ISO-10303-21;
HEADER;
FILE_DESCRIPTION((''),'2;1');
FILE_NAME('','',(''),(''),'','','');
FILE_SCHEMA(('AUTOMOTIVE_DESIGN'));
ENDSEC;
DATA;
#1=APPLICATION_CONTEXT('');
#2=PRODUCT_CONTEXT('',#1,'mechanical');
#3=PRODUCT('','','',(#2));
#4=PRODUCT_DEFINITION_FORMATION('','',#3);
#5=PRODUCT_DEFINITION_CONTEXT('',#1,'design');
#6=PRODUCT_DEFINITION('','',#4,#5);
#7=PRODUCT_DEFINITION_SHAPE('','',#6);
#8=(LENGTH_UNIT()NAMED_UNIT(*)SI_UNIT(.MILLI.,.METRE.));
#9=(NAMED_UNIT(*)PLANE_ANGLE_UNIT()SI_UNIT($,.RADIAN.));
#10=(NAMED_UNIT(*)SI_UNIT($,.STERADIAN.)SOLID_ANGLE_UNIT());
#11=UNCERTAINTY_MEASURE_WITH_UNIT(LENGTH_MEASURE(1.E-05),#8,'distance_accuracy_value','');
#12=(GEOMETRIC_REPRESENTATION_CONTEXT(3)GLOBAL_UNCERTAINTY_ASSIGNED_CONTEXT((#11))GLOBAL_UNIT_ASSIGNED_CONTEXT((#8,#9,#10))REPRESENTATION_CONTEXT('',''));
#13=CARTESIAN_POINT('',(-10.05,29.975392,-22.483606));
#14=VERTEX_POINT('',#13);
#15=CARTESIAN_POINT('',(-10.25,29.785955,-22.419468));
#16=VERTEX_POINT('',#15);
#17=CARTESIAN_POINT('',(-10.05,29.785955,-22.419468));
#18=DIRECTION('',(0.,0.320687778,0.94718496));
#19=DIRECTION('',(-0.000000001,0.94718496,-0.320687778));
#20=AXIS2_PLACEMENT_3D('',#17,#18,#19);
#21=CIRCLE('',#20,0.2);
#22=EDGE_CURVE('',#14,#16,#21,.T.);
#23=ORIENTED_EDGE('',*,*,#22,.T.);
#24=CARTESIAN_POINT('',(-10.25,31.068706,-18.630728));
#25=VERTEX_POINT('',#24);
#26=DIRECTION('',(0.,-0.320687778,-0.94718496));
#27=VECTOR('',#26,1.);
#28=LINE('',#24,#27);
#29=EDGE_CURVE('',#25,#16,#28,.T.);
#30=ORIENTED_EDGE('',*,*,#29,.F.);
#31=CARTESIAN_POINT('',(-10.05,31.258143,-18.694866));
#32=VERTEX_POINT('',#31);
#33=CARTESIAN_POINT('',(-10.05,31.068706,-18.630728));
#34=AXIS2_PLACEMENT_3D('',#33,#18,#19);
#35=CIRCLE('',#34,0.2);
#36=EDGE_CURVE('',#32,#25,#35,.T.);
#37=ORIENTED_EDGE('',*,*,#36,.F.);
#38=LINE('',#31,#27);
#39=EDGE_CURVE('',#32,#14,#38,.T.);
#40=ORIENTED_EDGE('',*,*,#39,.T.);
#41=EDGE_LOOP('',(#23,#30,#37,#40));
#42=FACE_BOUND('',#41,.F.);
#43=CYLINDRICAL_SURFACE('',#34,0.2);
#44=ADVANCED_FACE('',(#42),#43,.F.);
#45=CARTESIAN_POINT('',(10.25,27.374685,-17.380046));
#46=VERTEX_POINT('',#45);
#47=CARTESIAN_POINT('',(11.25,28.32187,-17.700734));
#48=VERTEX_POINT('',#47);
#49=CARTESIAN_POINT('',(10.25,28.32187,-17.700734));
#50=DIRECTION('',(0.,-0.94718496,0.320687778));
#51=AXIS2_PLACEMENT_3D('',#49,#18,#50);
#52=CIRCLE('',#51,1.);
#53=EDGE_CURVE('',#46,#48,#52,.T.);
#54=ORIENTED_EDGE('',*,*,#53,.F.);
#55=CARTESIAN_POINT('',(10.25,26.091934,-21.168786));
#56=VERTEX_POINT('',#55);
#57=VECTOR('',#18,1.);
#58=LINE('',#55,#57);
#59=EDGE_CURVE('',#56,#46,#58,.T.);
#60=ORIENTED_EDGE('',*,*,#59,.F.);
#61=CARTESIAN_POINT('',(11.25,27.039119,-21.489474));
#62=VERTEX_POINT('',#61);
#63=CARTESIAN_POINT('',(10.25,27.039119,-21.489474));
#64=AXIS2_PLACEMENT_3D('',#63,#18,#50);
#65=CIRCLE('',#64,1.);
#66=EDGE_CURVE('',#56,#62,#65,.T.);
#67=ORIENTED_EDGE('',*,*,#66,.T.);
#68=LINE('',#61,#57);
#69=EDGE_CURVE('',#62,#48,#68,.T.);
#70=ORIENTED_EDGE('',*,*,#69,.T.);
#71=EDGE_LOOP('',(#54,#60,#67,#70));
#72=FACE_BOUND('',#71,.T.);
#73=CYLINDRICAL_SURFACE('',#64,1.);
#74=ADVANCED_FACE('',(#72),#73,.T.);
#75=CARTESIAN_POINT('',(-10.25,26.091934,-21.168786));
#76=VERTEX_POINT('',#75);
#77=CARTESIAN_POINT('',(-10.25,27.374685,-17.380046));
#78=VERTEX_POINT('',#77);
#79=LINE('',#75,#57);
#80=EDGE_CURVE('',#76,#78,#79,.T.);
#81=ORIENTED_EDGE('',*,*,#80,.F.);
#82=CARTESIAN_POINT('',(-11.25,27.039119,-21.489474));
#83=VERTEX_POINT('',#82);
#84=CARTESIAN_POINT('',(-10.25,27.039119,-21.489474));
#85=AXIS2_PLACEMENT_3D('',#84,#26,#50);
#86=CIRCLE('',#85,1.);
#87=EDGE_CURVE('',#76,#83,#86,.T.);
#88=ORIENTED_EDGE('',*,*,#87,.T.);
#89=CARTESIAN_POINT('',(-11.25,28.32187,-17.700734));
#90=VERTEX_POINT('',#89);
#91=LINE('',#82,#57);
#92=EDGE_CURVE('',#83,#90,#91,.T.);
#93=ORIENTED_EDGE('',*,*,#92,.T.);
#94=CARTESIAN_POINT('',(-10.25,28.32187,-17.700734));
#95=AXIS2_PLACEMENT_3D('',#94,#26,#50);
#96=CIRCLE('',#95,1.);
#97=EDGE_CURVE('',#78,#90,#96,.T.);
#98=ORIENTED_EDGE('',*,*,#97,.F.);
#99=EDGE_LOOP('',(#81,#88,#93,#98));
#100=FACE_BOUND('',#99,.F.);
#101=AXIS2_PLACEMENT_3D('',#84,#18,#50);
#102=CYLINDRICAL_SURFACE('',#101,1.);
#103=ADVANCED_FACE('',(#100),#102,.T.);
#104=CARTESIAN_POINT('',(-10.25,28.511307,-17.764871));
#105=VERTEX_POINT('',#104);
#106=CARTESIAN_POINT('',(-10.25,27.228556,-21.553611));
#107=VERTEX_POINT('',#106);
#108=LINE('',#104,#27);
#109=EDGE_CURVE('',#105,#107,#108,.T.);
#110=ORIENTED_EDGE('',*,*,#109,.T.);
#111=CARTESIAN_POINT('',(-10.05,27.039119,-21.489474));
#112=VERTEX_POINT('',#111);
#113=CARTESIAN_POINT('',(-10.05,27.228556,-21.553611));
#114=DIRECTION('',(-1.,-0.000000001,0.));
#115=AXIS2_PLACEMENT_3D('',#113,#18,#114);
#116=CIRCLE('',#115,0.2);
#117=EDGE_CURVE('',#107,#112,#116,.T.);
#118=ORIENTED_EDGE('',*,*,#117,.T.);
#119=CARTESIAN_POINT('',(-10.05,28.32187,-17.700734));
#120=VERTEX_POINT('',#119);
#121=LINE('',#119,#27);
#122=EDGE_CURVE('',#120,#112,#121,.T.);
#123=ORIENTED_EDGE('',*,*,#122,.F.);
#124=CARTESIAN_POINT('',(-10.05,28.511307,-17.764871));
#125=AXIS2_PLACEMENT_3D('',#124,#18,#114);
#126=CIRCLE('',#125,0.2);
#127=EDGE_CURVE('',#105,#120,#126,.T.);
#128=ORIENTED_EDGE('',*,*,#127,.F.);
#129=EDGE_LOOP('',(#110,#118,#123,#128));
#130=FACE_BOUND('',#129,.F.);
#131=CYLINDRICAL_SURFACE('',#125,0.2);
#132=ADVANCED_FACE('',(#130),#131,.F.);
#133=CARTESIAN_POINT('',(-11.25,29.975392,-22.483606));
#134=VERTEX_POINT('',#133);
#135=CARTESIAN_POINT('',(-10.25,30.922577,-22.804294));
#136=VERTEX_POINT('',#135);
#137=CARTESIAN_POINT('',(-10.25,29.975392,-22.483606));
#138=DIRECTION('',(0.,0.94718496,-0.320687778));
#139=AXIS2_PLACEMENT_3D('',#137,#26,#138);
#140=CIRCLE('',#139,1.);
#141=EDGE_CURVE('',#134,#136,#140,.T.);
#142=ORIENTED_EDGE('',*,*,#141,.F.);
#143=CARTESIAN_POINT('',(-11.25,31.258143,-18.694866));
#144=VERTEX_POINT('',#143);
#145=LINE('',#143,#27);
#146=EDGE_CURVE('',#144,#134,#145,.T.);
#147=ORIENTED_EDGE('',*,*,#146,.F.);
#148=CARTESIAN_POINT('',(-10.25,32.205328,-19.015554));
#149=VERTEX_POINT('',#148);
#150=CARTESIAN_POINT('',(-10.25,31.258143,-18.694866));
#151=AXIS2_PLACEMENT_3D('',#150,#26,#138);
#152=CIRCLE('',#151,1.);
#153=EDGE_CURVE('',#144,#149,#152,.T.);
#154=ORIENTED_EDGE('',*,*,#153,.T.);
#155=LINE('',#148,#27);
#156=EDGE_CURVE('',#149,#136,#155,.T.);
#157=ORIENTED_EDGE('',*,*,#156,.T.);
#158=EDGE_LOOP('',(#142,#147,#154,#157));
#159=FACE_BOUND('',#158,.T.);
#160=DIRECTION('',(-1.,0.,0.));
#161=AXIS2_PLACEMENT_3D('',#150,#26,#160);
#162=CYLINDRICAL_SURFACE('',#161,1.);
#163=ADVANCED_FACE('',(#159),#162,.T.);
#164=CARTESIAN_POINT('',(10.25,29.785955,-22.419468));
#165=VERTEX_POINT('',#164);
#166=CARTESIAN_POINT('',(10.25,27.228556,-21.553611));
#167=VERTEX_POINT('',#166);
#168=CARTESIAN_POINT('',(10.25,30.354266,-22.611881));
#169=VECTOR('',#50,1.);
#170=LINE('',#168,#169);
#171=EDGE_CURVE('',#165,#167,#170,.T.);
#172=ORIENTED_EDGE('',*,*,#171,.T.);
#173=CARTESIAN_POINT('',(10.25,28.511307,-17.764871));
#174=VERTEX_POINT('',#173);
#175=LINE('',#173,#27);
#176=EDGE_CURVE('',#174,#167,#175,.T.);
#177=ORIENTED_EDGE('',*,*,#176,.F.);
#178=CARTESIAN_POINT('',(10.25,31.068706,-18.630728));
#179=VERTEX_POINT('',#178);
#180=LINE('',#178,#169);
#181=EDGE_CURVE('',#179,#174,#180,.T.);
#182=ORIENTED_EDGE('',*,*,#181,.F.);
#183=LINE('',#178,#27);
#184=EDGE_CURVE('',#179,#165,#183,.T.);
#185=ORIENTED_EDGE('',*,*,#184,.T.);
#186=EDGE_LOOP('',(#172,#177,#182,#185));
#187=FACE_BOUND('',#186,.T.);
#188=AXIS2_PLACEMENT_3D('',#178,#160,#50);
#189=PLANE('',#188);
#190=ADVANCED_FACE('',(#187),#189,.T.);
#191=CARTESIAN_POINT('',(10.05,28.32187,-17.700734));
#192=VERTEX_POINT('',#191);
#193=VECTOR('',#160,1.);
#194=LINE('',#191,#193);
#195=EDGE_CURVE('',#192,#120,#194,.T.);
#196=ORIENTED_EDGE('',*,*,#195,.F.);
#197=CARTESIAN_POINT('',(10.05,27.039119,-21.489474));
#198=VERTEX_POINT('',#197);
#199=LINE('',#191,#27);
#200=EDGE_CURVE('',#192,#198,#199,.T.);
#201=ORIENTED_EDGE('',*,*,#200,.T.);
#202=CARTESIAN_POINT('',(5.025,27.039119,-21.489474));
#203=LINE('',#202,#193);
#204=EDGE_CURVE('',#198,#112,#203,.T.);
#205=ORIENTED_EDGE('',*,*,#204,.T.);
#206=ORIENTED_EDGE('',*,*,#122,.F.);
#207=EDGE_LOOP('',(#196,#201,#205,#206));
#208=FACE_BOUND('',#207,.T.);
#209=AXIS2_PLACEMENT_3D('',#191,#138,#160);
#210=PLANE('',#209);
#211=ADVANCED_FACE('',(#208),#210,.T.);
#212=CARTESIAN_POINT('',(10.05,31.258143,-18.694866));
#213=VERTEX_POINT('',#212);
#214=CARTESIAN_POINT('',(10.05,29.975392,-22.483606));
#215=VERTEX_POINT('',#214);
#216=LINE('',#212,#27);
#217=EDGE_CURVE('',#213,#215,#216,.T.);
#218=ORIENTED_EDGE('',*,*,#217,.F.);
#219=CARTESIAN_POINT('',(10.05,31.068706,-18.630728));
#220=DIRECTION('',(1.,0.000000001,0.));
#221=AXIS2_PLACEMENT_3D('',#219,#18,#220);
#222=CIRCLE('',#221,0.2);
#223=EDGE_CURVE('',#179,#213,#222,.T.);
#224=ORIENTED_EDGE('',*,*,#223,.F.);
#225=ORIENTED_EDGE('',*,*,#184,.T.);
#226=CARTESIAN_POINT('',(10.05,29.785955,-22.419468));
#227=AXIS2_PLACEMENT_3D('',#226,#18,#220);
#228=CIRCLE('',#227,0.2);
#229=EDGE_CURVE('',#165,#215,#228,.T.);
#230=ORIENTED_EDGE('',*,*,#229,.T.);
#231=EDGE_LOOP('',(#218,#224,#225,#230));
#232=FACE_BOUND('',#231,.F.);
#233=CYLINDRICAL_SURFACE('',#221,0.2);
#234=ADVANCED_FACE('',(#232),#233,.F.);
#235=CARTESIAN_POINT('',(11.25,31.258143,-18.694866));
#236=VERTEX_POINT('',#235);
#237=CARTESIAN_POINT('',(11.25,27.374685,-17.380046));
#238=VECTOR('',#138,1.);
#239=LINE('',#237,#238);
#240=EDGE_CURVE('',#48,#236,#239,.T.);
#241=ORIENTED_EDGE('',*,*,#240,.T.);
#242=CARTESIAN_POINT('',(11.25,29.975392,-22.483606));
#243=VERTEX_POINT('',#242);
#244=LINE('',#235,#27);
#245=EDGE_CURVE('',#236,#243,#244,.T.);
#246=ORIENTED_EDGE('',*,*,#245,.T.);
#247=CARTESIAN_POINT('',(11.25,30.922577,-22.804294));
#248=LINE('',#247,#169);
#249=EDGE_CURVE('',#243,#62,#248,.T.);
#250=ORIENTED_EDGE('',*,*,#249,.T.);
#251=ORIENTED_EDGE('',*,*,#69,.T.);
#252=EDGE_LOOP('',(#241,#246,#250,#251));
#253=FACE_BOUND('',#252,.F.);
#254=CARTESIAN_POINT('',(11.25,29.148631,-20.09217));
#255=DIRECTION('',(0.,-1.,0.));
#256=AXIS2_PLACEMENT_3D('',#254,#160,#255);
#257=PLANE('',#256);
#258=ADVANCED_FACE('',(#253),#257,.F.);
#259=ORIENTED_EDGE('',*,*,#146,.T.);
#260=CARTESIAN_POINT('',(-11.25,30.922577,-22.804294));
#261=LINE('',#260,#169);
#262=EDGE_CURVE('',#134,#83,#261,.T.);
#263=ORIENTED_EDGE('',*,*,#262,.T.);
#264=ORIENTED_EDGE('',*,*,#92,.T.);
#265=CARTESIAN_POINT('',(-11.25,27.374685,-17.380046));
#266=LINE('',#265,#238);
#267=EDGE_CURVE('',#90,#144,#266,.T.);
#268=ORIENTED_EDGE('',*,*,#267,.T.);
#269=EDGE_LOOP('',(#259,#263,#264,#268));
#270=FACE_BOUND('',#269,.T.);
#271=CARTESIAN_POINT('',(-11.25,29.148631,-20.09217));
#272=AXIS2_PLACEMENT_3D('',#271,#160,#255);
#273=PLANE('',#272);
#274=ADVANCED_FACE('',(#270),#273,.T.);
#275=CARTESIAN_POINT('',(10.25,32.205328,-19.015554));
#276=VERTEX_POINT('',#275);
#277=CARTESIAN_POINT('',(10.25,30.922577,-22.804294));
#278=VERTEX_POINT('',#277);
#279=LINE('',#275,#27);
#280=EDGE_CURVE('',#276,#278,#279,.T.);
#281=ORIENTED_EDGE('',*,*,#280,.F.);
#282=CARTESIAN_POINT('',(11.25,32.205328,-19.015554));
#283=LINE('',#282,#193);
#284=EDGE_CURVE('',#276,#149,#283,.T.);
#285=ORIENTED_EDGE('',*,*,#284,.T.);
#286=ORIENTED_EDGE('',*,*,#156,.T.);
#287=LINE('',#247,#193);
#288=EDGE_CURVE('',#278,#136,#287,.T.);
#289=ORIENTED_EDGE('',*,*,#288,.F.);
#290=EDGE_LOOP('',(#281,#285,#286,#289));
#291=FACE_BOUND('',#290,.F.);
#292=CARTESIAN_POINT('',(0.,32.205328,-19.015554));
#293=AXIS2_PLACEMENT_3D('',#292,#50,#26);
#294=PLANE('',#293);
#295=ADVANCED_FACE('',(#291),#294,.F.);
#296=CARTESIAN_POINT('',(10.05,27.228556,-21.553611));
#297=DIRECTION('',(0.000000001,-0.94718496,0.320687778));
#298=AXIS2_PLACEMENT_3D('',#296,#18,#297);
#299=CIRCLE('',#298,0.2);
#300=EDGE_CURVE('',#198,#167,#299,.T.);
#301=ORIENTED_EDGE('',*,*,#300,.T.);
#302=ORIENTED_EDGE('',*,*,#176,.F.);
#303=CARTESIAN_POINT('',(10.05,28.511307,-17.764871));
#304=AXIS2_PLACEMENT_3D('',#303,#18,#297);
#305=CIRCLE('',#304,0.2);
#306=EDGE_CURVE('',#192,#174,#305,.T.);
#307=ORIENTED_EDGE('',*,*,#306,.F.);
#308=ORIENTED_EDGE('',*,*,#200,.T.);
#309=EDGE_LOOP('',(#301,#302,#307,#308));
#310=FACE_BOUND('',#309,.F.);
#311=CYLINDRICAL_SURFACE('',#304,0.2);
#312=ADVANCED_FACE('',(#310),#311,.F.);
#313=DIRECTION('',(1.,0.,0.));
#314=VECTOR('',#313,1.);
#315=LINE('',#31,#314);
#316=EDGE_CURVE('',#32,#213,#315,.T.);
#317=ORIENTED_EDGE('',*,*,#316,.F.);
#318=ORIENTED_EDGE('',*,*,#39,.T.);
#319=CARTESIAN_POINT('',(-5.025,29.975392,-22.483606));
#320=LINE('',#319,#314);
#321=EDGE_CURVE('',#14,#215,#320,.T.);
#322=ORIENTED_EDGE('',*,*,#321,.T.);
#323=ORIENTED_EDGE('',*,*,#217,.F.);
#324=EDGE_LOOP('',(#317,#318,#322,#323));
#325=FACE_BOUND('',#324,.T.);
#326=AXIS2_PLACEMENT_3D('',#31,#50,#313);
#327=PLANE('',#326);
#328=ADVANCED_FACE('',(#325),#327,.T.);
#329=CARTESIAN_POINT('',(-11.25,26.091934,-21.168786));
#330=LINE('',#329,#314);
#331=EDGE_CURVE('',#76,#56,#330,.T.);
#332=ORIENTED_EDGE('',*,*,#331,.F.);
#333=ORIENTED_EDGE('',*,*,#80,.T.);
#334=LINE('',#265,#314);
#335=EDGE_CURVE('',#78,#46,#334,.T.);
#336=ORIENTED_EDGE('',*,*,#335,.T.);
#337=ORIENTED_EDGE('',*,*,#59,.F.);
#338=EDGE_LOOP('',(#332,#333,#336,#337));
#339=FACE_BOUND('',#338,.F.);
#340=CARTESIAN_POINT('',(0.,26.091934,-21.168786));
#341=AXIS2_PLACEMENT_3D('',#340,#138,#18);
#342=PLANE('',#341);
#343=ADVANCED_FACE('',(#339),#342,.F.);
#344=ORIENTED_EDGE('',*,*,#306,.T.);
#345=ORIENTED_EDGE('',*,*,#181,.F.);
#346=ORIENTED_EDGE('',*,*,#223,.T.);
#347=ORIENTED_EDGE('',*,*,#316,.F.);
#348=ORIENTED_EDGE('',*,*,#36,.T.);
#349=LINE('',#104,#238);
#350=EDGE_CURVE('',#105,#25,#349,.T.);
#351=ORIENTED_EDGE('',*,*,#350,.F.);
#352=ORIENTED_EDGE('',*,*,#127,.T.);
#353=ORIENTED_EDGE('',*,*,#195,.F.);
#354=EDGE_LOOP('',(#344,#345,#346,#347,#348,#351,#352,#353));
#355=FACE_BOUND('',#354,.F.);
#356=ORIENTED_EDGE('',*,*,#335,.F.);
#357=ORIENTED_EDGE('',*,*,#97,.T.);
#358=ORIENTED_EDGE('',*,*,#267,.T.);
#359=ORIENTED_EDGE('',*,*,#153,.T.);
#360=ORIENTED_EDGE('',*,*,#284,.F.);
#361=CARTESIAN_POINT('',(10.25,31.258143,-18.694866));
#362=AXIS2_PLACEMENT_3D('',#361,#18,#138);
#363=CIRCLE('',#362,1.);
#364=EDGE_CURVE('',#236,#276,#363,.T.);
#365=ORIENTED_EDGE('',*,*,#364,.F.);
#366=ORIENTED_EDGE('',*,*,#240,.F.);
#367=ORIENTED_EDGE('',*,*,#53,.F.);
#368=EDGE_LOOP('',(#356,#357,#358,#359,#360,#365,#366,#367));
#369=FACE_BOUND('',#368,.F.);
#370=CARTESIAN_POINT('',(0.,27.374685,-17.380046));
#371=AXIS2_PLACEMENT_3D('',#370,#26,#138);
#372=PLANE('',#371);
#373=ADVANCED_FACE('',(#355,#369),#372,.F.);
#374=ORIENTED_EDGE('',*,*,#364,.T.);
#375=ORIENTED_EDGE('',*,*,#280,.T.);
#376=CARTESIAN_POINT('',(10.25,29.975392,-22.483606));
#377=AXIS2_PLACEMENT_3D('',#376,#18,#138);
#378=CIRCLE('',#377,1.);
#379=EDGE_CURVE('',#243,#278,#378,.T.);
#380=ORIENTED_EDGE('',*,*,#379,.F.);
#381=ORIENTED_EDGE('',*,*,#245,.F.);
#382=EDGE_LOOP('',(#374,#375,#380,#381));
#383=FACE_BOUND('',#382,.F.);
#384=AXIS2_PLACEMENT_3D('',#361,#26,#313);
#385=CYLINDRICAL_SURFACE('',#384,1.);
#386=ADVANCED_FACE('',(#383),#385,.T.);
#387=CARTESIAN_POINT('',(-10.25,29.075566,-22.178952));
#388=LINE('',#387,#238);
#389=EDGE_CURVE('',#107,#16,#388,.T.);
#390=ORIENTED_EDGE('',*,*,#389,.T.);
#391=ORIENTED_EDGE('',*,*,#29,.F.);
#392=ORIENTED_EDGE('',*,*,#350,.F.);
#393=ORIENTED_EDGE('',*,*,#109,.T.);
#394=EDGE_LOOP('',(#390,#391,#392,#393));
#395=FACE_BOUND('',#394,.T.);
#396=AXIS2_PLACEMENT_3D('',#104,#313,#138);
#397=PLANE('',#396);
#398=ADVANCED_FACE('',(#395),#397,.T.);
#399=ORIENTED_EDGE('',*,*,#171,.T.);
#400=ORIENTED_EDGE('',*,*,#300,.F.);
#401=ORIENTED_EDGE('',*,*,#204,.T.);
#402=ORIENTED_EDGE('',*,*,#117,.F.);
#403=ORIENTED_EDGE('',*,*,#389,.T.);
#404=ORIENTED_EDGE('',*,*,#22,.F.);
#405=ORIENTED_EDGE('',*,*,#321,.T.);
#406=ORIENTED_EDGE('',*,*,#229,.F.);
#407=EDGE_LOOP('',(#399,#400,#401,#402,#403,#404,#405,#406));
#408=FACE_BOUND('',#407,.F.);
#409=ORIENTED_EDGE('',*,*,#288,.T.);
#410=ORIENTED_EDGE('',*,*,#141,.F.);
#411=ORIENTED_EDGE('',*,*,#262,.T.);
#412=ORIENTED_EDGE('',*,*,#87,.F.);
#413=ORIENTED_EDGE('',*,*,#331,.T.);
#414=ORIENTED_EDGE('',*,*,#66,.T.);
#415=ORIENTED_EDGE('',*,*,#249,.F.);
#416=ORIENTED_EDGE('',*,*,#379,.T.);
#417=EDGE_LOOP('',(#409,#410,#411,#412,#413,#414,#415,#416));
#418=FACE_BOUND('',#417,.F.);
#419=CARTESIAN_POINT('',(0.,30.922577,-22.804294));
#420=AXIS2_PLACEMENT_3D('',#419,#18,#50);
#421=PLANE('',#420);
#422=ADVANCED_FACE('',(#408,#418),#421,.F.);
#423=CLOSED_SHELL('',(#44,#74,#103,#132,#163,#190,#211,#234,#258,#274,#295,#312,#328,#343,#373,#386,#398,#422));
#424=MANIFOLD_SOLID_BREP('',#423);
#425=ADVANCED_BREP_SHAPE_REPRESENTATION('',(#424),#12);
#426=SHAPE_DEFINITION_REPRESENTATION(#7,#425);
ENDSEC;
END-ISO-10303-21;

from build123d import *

# Parameters (mm, degrees)
PAD004_DEPTH    = 11.25
POCKET001_DEPTH = 5
FILLET002_R     = 1


with BuildPart() as part:
    # Sketch033 → Pad004 (new body, symmetric)
    with BuildSketch(Plane.YZ):
        Polygon((27.3746847171, -17.3800460051), (32.2053280153, -19.0155536712), (30.9225769046, -22.8042935129), (26.0919336064, -21.1687858467), align=None)
    extrude(amount=PAD004_DEPTH, both=True)

    # Sketch034 (on Face1 of Pad004) → Pocket001 (cut)
    with BuildSketch(Plane(origin=(0, -2.463969707, -7.2775927611), x_dir=(0, -0.9471849604, 0.3206877777), z_dir=(0, 0.3206877777, 0.9471849604))):
        with BuildLine():
            Line((-35.4024579896, 10.25), (-32.7024579896, 10.25))
            ThreePointArc((-32.5024579896, 10.05), (-32.5610366334, 10.1914213562), (-32.7024579896, 10.25))
            Line((-32.5024579896, 10.05), (-32.5024579896, -10.05))
            ThreePointArc((-32.7024579896, -10.25), (-32.5610366334, -10.1914213562), (-32.5024579896, -10.05))
            Line((-32.7024579896, -10.25), (-35.4024579896, -10.25))
            ThreePointArc((-35.6024579896, -10.05), (-35.5438793458, -10.1914213562), (-35.4024579896, -10.25))
            Line((-35.6024579896, -10.05), (-35.6024579896, 10.05))
            ThreePointArc((-35.4024579896, 10.25), (-35.5438793458, 10.1914213562), (-35.6024579896, 10.05))
        make_face()
    extrude(amount=-POCKET001_DEPTH, mode=Mode.SUBTRACT)

    # Fillet002
    fillet002_edges = [part.edges().sort_by_distance(p)[0] for p in [
        (11.25, 31.563952, -20.909924),
        (11.25, 26.733309, -19.274416),
        (-11.25, 31.563952, -20.909924),
        (-11.25, 26.733309, -19.274416),
    ]]
    fillet(fillet002_edges, radius=FILLET002_R)


solid = part.part
